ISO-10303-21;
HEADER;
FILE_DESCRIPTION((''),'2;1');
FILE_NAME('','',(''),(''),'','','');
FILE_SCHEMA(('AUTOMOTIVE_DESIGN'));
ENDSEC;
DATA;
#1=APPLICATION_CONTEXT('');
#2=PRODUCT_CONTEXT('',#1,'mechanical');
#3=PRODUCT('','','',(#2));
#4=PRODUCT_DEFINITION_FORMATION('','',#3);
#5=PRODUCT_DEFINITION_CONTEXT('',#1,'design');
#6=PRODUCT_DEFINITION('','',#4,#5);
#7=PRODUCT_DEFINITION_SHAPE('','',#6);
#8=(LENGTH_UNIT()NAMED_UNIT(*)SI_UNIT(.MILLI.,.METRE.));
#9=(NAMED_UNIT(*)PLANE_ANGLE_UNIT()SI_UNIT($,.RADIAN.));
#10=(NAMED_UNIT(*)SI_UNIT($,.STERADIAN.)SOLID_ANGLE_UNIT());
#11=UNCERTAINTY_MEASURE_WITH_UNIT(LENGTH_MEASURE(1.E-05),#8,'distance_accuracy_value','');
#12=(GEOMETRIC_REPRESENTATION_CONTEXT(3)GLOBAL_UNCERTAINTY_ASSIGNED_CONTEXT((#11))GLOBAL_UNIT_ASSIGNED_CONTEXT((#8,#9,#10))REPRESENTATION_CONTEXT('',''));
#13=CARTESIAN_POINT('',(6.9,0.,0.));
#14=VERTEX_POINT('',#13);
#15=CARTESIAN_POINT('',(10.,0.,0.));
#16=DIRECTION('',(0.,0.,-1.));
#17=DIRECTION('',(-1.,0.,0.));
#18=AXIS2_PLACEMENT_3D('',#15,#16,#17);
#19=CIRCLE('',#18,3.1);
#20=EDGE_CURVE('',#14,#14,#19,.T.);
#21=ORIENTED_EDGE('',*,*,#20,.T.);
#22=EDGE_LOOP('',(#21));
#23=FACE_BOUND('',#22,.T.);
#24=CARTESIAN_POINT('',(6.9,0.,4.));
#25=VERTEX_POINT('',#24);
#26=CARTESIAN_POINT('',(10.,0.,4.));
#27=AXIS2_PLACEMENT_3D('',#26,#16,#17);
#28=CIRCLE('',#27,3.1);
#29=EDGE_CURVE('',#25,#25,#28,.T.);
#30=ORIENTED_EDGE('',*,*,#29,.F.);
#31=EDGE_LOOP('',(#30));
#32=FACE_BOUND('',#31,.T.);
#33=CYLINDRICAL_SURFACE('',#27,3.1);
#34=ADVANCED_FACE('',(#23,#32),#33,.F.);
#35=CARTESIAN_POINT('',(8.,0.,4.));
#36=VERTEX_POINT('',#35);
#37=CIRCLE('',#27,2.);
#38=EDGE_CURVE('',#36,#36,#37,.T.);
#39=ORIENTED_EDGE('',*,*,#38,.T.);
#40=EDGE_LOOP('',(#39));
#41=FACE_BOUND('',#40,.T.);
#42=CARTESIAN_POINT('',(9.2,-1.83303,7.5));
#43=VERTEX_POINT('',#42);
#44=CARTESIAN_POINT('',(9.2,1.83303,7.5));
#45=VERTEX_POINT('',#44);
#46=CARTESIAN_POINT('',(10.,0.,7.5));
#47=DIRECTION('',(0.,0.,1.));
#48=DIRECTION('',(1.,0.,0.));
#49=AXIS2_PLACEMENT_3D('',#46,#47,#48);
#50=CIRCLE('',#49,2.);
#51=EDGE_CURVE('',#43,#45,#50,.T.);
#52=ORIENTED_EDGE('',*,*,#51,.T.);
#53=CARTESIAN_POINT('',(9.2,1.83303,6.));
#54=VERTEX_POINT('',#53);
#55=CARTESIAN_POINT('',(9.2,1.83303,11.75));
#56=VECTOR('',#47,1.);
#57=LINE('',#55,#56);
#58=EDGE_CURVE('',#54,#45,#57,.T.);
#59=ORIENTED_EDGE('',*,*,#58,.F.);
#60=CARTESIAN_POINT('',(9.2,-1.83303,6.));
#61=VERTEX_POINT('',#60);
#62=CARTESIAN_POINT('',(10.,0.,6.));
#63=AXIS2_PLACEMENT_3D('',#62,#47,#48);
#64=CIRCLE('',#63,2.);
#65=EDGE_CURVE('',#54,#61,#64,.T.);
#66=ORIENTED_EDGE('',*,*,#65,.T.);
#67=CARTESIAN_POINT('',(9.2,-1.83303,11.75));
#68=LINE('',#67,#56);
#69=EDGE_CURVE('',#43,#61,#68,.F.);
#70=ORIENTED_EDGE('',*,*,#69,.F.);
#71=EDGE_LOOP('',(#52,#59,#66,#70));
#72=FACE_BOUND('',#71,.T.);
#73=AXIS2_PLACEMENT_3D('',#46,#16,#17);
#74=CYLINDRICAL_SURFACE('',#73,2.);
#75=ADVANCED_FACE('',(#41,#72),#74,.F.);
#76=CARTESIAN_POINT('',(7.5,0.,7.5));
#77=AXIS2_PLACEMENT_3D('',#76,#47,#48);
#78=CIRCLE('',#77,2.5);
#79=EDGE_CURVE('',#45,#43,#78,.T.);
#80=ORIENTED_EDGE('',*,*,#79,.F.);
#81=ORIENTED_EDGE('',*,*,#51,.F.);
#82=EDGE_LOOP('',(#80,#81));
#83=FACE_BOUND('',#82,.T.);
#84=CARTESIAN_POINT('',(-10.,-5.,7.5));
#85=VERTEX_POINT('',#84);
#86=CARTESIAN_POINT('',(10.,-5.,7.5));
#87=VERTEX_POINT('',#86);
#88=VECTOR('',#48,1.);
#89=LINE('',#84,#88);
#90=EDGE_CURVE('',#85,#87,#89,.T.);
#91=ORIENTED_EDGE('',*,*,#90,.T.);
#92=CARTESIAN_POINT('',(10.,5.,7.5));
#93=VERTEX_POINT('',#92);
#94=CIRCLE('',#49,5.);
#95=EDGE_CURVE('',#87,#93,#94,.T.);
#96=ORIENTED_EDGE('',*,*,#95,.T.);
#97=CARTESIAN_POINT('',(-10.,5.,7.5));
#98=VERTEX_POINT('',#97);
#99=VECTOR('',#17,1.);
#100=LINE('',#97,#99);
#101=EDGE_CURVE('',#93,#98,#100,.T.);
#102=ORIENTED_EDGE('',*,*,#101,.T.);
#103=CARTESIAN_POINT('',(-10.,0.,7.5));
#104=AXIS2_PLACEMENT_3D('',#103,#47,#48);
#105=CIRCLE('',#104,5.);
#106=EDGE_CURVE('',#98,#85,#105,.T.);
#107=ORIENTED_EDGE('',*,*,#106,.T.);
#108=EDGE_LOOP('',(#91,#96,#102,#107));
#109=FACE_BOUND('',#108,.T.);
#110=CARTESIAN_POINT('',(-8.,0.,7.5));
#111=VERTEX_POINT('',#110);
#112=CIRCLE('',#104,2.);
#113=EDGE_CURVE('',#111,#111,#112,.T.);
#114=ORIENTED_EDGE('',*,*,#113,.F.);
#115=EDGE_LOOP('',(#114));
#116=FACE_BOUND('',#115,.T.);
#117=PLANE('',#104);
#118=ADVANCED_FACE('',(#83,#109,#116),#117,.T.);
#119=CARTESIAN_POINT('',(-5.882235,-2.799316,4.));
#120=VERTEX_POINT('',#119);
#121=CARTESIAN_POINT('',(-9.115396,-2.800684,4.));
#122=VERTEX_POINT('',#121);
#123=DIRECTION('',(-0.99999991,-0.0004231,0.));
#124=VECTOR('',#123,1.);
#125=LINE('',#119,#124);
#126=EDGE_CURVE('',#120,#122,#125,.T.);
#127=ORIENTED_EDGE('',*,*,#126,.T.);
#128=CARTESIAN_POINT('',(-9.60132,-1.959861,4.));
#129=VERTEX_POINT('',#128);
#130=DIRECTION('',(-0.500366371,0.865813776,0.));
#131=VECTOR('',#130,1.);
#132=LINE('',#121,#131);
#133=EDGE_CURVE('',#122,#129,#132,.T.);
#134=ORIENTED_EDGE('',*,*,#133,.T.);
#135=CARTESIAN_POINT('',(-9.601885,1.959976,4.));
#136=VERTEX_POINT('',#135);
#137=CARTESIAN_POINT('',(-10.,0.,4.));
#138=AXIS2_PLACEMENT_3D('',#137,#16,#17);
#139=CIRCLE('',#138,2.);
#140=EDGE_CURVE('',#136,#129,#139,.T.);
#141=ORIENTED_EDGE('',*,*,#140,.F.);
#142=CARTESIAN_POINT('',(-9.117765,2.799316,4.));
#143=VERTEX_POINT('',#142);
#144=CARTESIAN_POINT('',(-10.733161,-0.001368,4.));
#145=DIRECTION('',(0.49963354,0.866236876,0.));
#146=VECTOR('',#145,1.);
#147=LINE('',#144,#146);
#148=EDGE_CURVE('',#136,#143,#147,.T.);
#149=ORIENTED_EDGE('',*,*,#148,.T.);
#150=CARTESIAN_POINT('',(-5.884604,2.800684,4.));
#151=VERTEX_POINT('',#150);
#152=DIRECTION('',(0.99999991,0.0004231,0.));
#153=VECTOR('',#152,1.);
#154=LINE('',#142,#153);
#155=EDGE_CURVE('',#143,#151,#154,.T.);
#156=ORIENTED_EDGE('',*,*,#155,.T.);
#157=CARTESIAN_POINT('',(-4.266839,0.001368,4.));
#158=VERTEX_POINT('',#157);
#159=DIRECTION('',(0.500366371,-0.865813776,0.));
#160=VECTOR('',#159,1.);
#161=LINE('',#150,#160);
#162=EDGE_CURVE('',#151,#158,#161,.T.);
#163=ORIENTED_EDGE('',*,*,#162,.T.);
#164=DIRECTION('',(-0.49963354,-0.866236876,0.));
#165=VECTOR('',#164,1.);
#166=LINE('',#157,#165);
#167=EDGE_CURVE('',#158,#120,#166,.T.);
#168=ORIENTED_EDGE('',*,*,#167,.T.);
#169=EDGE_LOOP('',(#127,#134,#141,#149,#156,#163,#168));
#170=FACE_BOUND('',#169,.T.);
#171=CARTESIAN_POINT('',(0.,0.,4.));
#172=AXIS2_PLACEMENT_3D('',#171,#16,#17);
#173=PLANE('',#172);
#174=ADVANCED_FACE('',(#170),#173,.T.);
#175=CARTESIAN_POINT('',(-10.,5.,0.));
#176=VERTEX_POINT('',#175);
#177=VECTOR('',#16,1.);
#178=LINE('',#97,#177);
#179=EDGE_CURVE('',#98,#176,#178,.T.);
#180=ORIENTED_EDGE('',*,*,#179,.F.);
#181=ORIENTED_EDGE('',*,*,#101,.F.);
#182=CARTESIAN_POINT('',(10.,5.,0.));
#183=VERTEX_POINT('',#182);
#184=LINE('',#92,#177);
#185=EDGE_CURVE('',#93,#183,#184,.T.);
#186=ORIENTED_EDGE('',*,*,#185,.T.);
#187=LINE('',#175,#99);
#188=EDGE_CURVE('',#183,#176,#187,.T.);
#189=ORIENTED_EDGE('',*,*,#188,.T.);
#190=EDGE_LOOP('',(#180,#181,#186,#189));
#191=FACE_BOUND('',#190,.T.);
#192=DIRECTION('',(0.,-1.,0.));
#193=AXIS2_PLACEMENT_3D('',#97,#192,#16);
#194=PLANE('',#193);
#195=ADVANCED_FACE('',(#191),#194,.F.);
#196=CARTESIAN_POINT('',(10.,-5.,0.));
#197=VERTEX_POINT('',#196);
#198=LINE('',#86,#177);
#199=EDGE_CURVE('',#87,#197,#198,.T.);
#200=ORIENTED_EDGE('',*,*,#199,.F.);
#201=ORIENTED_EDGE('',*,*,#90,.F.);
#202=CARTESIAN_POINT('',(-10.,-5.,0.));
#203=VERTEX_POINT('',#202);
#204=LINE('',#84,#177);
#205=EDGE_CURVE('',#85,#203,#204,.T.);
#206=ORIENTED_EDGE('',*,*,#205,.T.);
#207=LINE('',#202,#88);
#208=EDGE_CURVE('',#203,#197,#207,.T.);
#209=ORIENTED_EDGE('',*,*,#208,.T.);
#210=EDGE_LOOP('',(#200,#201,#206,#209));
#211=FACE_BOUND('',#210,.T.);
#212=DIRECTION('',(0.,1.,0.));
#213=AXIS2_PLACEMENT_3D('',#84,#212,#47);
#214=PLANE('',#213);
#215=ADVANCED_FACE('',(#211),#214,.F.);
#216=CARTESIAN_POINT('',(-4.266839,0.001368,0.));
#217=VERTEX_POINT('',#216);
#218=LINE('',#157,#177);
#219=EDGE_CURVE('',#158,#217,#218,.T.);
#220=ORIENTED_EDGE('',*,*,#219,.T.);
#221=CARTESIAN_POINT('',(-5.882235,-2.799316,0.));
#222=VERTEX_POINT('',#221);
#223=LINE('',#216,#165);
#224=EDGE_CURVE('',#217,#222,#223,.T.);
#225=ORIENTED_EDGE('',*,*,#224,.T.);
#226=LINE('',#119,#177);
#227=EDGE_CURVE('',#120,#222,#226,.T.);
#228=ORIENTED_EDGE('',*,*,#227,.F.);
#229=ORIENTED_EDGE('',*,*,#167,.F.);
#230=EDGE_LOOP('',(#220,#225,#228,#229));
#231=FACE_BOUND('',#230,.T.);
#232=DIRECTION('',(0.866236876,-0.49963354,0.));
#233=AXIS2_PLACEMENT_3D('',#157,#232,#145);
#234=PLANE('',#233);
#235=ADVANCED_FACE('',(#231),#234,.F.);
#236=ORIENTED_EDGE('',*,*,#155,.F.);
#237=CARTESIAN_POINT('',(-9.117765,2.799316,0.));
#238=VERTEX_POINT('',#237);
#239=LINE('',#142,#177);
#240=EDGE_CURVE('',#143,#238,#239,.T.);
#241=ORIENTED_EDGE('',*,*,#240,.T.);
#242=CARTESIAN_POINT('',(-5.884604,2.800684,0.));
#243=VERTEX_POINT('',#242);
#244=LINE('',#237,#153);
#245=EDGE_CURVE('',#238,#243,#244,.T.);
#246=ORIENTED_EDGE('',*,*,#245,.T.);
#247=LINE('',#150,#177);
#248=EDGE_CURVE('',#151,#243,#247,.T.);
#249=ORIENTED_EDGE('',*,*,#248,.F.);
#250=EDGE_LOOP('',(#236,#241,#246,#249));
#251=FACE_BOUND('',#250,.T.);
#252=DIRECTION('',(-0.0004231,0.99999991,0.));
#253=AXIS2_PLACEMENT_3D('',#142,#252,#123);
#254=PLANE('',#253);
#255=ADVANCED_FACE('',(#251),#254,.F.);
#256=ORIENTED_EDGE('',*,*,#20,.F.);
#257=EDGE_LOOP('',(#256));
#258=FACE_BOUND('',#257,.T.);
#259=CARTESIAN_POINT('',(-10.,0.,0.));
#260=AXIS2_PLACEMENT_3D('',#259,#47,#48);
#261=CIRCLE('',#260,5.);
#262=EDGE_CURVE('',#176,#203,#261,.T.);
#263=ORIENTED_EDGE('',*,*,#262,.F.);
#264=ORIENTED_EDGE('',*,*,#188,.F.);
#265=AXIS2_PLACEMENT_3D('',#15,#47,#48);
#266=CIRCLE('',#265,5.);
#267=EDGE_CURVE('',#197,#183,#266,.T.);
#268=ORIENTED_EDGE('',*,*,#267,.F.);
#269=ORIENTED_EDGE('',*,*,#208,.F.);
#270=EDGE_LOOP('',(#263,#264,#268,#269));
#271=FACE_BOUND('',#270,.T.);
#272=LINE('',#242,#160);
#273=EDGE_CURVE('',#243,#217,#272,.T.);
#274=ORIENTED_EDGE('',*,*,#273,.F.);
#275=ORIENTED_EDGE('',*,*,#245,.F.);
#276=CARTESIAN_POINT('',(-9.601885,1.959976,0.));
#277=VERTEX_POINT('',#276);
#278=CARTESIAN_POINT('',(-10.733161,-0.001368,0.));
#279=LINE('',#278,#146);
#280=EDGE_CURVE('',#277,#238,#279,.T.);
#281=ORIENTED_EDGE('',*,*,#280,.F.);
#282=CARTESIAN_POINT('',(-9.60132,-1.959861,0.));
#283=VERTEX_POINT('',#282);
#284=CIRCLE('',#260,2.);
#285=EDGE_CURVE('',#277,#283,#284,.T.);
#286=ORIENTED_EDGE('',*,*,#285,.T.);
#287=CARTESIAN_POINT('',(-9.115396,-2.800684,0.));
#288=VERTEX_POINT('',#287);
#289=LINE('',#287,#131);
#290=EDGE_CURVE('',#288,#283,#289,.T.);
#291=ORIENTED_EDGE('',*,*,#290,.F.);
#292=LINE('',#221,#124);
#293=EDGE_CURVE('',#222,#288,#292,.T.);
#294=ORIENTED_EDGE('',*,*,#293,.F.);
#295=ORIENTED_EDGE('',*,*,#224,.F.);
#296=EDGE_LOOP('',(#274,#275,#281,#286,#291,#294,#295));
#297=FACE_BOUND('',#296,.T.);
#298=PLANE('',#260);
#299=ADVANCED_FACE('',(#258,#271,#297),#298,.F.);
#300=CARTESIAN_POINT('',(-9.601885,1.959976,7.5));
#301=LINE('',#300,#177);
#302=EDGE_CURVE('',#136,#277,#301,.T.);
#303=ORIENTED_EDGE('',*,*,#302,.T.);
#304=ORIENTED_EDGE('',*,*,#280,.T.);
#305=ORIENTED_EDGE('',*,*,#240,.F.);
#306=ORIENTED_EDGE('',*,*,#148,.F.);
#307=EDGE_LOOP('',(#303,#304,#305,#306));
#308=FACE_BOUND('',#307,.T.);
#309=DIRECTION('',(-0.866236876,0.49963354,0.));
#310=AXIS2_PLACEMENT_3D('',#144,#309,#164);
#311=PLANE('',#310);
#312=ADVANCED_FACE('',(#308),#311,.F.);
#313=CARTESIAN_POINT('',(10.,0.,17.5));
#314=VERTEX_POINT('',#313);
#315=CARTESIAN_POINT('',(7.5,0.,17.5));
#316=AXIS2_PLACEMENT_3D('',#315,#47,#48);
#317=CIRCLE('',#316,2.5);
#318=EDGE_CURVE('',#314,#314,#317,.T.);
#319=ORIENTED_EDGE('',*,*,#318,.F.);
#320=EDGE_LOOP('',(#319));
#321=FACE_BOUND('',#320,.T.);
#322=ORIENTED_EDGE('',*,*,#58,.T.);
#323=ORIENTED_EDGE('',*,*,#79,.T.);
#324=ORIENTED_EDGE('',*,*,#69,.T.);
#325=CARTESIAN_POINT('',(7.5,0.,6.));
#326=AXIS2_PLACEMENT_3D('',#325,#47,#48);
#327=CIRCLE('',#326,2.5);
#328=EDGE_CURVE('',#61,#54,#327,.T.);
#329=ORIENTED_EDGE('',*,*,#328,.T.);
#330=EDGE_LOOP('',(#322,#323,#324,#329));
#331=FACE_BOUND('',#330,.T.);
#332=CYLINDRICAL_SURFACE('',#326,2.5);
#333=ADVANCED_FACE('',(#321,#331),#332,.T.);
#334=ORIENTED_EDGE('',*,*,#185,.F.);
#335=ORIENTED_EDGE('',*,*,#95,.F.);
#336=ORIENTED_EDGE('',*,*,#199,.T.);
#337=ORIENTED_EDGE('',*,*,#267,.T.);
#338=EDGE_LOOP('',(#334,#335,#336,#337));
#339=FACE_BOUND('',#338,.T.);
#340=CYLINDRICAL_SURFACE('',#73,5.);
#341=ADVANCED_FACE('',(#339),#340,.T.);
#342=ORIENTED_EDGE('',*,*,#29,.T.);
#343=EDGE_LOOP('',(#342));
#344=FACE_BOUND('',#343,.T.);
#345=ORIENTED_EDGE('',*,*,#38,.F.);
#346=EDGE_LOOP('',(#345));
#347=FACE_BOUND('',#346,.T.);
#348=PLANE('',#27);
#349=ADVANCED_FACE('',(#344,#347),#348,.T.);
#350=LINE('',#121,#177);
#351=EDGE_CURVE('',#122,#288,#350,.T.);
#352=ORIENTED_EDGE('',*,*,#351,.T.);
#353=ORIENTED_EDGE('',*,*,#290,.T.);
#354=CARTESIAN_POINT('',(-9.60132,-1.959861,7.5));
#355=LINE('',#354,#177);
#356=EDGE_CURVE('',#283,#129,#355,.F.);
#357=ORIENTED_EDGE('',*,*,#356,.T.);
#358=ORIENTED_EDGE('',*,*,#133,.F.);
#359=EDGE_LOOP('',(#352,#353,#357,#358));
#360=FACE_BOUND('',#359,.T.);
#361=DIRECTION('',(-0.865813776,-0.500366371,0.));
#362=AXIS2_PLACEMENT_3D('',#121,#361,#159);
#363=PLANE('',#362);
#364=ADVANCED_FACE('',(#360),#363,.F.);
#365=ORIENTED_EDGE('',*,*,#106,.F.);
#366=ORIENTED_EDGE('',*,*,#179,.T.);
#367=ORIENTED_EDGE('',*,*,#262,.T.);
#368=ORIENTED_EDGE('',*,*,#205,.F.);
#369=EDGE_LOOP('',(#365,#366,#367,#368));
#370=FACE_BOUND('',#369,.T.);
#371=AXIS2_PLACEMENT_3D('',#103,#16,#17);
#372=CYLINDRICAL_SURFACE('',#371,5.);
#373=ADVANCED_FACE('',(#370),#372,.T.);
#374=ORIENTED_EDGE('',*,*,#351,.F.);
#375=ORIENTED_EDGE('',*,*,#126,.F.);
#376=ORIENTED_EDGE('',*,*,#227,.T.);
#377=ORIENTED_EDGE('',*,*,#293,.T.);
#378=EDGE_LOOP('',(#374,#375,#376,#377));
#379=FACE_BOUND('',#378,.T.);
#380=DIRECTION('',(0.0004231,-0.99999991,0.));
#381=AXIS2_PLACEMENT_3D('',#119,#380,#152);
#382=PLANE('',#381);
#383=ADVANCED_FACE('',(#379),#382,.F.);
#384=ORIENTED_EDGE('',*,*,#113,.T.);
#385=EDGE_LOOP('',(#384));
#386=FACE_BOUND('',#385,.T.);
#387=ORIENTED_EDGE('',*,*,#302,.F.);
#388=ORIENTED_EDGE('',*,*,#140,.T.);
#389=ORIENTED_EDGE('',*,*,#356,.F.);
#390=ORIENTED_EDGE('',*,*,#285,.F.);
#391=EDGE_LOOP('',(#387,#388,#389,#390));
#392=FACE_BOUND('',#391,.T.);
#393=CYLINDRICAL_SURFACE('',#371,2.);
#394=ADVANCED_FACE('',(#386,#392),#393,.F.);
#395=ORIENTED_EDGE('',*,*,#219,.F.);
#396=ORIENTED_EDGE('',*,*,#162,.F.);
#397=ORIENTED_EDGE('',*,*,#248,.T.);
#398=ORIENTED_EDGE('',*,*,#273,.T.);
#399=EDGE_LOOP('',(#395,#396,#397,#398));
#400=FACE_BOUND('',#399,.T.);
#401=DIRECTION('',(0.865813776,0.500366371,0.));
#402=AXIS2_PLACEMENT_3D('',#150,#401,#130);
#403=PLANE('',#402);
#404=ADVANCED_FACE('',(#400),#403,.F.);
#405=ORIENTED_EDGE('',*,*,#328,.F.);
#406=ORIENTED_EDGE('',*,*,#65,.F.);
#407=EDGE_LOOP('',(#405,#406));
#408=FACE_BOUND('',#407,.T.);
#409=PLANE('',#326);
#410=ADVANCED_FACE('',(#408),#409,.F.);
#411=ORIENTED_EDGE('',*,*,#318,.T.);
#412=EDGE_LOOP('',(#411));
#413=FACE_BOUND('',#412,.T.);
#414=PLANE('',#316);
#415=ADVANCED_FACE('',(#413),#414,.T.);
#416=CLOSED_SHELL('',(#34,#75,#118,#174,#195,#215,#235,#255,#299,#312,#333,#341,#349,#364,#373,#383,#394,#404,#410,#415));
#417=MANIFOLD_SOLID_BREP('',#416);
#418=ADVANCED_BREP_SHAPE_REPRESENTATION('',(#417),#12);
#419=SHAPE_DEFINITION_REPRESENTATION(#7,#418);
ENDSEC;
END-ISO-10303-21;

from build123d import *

# Parameters (mm, degrees)
SKETCH_1_R           = 2
EXTRUDE_1_DEPTH      = 7.5
EXTRUDE_2_DEPTH      = 10
EXTRUDE_2_DEPTH_BACK = 1.5
SKETCH_2_R           = 2.5
SKETCH_5_R           = 3.1
CUT_EXTRUDE_1_DEPTH  = 4


with BuildPart() as part:
    # 草圖1 → 填料-伸長1 (new body)
    with BuildSketch(Plane.XY):
        with BuildLine():
            Line((-10, 5), (10, 5))
            ThreePointArc((10, 5), (15, 0), (10, -5))
            Line((10, -5), (-10, -5))
            ThreePointArc((-10, -5), (-15, 0), (-10, 5))
        make_face()
        with Locations((-10, 0)):
            Circle(SKETCH_1_R, mode=Mode.SUBTRACT)
        with Locations((10, 0)):
            Circle(SKETCH_1_R, mode=Mode.SUBTRACT)
    extrude(amount=EXTRUDE_1_DEPTH)

    # 草圖2 → 填料-伸長2 (add, two sides: drawn at the far end of the back side and taken through both)
    with BuildSketch(Plane.XY.offset(7.5).offset(-EXTRUDE_2_DEPTH_BACK)):
        with Locations((7.5, 0)):
            Circle(SKETCH_2_R)
    extrude(amount=EXTRUDE_2_DEPTH + EXTRUDE_2_DEPTH_BACK)

    # 草圖5 → 除料-伸長1 (cut)
    with BuildSketch(Plane(origin=(0, 0, 0), x_dir=(-1, 0, 0), z_dir=(0, 0, -1))):
        with Locations((-10, 0)):
            Circle(SKETCH_5_R)
        Polygon((5.882234711, -2.799315774), (9.115395929, -2.800683725), (10.733161218, -0.001367951), (9.117765289, 2.799315774), (5.884604071, 2.800683725), (4.266838782, 0.001367951), align=None)
    extrude(amount=-CUT_EXTRUDE_1_DEPTH, mode=Mode.SUBTRACT)


solid = part.part
